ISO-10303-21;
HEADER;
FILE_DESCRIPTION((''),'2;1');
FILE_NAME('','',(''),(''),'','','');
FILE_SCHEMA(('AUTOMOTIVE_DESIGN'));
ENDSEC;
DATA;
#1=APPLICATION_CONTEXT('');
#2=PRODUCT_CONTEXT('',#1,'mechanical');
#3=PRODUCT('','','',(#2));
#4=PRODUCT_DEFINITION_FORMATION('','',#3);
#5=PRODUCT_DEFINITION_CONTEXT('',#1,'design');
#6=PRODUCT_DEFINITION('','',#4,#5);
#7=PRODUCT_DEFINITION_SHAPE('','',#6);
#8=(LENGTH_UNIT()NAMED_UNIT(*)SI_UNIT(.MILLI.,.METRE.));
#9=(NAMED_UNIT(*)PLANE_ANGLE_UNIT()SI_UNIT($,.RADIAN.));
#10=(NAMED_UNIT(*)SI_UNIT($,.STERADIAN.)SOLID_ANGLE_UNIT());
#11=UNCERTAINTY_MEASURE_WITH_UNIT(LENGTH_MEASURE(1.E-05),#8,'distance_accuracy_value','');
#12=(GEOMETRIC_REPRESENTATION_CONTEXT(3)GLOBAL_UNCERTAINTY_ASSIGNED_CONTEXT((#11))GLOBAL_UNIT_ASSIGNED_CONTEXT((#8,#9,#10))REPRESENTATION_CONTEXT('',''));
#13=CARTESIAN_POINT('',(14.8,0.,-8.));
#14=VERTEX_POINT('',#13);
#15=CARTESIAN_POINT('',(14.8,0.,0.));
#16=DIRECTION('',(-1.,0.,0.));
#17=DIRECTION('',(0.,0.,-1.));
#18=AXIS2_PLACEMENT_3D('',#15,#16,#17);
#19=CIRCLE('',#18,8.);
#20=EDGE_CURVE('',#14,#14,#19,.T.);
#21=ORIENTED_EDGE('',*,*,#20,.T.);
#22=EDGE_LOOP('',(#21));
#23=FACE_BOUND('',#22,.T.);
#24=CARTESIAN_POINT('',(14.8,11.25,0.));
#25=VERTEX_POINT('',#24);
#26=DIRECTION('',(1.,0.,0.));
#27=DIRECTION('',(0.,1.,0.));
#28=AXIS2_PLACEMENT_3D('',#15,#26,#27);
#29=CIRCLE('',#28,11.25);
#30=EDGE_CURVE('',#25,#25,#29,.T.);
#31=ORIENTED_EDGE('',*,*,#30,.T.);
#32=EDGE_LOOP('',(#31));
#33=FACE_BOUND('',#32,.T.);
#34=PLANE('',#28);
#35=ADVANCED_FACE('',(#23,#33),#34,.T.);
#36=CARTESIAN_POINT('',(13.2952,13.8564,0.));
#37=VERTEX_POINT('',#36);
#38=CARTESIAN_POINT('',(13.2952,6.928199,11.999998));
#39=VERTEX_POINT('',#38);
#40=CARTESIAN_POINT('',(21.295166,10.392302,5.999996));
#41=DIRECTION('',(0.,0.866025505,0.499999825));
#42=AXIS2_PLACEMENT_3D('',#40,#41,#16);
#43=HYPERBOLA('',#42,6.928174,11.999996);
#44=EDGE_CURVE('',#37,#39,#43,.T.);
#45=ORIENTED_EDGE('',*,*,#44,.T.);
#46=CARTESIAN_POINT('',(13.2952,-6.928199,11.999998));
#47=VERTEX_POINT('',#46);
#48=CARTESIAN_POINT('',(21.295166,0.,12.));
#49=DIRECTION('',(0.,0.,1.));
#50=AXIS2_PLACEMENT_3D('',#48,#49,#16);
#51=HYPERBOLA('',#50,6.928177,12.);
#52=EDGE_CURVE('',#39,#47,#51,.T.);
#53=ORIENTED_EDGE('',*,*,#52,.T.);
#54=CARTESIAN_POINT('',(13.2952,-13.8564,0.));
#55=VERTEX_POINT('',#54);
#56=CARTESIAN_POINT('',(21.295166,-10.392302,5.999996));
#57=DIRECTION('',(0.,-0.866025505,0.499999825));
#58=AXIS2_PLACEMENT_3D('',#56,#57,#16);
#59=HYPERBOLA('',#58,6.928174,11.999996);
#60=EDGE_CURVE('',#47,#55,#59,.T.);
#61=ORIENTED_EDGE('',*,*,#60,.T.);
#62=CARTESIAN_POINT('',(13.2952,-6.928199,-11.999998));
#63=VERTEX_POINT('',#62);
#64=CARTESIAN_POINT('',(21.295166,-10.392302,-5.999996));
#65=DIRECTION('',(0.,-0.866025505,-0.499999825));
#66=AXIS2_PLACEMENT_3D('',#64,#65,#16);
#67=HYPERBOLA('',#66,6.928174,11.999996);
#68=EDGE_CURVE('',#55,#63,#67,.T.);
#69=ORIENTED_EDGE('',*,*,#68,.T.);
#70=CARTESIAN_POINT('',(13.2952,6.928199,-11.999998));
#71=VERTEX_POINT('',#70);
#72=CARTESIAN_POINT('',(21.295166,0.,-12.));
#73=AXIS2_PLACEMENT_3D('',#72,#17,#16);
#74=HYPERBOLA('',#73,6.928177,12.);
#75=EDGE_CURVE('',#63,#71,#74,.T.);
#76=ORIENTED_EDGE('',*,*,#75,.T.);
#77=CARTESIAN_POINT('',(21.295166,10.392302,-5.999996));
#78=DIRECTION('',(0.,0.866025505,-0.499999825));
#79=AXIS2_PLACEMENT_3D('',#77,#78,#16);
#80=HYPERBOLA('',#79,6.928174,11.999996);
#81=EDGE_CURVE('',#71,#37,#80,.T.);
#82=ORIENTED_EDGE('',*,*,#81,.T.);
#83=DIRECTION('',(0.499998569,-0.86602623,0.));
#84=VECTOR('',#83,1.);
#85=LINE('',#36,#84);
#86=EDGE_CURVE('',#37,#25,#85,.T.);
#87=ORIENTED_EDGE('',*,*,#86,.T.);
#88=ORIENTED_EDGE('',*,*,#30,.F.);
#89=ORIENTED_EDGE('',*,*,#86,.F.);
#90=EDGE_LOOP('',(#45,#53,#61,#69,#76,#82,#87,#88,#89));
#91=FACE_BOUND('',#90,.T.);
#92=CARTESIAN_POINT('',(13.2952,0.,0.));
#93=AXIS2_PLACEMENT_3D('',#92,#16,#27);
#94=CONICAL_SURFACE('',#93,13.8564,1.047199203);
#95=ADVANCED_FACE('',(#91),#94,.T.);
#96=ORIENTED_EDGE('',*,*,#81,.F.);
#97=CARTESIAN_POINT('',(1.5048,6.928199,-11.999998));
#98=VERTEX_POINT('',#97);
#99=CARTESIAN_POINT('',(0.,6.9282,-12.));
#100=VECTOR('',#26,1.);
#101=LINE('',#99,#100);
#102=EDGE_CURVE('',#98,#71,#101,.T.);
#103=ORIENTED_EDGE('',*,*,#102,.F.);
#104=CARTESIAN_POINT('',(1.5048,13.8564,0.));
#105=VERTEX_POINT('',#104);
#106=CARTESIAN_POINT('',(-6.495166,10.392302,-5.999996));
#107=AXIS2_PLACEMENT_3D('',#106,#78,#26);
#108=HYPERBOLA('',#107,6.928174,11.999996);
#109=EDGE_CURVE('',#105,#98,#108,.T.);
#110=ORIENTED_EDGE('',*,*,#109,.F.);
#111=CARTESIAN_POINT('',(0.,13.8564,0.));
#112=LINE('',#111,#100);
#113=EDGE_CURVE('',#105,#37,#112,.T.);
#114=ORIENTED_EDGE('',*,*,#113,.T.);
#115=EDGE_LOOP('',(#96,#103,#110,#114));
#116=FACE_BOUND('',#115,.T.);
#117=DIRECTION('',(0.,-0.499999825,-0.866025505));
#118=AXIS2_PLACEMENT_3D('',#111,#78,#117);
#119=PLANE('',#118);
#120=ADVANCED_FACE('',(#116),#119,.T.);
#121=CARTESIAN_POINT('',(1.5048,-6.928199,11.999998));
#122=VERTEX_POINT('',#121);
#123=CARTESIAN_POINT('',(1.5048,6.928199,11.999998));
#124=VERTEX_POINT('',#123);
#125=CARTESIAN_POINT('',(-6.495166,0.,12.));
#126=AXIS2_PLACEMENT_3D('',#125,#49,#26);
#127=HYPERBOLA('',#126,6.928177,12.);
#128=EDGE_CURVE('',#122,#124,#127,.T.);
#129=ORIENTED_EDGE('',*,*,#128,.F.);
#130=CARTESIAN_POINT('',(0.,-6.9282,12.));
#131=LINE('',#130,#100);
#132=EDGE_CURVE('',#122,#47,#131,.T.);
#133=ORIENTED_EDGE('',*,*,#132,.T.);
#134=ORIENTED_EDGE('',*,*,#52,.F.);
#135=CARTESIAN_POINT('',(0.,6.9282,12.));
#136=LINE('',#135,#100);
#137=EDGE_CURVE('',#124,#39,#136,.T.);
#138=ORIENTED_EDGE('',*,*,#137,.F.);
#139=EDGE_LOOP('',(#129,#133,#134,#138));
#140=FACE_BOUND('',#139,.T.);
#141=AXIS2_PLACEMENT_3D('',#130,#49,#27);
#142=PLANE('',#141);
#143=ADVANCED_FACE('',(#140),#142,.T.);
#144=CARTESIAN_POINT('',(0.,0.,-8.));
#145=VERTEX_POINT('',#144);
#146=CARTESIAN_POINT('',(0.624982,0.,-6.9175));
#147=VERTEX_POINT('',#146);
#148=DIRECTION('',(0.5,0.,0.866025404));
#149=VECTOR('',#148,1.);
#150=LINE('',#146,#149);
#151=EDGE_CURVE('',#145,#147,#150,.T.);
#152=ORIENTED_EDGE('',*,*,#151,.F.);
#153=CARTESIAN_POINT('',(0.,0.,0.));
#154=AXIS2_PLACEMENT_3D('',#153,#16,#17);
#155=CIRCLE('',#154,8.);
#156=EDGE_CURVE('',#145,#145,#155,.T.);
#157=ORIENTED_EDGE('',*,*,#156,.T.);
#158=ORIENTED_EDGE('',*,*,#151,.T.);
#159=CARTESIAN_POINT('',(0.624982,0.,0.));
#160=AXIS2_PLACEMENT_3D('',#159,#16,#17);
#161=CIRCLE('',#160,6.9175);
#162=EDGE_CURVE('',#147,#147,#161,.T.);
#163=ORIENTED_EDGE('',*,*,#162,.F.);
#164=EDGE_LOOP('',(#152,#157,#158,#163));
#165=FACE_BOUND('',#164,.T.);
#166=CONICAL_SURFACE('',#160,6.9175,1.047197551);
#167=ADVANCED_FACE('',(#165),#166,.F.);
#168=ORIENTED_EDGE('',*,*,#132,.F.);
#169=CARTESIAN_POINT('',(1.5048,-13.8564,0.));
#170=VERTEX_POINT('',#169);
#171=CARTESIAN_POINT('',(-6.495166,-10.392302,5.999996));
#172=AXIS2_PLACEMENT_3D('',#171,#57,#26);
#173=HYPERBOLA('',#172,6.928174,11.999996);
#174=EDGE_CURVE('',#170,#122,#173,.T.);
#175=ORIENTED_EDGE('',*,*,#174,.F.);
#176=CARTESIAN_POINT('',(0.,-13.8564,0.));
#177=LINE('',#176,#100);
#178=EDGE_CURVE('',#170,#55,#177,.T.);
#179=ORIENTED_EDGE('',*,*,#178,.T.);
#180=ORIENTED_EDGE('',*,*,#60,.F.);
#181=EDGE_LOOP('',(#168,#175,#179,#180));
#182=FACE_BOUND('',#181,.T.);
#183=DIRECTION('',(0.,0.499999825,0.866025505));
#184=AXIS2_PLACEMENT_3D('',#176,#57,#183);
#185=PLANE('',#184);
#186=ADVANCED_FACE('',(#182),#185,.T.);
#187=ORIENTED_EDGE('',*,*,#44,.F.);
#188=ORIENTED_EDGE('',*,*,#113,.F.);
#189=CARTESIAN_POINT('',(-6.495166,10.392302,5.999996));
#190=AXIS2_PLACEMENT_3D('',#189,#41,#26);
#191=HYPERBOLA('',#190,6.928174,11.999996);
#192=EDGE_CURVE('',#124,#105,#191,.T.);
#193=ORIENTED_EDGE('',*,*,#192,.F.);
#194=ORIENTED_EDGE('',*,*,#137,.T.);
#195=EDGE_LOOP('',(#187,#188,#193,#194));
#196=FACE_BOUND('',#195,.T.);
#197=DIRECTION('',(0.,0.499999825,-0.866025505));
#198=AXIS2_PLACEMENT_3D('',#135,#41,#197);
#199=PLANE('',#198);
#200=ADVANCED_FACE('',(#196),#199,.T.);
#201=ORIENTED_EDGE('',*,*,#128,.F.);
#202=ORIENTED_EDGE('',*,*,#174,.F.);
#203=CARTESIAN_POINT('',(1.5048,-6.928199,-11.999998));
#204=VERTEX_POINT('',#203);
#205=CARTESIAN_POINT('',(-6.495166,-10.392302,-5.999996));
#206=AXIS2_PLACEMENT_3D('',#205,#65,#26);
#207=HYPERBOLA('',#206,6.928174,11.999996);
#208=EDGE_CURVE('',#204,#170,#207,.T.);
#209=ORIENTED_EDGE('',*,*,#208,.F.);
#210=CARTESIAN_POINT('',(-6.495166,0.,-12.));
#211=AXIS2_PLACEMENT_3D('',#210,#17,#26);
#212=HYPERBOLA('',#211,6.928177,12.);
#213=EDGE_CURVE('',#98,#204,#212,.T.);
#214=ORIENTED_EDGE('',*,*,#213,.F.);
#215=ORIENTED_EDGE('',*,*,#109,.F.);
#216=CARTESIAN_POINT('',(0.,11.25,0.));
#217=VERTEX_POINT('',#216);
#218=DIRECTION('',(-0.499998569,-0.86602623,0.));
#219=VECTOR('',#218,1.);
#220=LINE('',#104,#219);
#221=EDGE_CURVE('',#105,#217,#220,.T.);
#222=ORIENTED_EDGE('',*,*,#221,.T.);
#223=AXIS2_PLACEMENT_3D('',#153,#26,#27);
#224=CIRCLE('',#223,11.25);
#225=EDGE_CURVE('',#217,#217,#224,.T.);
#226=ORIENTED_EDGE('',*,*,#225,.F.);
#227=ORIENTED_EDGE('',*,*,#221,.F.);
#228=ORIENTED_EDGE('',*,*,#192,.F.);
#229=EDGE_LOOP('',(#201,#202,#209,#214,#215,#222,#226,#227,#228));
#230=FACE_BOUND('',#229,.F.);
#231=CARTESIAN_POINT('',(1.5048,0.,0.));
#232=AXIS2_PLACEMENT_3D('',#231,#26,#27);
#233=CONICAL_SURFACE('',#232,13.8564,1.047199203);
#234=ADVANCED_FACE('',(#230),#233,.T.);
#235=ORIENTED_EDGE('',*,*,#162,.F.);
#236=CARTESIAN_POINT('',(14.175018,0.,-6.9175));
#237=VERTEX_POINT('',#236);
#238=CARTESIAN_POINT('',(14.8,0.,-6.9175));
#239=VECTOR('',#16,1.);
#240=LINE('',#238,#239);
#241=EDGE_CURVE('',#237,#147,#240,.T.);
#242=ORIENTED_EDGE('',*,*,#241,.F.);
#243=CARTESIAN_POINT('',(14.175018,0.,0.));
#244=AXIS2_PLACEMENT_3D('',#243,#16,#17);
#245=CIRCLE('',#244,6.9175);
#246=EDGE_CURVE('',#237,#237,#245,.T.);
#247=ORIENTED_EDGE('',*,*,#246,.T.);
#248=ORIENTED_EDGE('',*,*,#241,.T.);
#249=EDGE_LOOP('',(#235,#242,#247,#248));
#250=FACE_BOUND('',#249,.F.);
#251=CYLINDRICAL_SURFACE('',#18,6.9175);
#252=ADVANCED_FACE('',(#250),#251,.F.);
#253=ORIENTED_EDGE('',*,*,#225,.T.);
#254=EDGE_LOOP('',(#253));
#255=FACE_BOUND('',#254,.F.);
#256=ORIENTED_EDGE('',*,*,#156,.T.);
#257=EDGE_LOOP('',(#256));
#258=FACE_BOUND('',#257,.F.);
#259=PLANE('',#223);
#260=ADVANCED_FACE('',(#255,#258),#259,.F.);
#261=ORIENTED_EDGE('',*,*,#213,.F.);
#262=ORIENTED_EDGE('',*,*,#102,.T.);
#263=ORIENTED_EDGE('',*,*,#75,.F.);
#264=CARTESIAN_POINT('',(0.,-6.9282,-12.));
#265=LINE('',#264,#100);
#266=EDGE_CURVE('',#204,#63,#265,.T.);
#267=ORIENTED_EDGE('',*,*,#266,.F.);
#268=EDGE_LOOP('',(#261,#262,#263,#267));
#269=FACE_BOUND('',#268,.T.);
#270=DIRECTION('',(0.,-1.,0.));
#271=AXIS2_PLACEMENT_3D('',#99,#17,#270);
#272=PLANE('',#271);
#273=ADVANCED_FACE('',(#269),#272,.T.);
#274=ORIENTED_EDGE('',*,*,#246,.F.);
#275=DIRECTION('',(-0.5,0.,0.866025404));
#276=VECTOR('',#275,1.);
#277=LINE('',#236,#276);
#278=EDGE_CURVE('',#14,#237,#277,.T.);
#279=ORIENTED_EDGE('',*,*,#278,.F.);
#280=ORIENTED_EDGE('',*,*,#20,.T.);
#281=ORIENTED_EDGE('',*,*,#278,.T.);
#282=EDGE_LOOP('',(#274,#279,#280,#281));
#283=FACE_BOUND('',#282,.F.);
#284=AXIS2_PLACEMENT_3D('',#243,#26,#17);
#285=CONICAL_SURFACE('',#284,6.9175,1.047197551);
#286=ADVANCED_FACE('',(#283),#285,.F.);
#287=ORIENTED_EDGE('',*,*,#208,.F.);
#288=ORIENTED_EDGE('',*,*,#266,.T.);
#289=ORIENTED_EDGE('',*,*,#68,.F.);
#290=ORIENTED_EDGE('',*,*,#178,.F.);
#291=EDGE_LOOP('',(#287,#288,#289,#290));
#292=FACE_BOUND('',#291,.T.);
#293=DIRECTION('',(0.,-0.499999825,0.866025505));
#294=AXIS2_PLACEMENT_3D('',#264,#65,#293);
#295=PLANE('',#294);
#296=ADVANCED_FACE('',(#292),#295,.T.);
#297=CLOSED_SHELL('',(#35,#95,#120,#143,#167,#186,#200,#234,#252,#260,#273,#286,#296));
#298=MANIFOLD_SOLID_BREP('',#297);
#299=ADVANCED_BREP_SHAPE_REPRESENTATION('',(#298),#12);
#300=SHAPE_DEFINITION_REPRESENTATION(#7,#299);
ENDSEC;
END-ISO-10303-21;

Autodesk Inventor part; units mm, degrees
ref_plane "YZ Plane" through (0, 0, 0) normal (1, 0, 0) x (0, 1, 0)
ref_plane "XZ Plane" through (0, 0, 0) normal (0, 1, 0) x (-1, 0, 0)
sketch "Эскиз1" plane through (0, 0, 0) normal (1, 0, 0) x (0, 1, 0)
  line L0 (-13.8564, 0) -> (-6.9282, 12)
  line L1 (-6.9282, 12) -> (6.9282, 12)
  line L2 (6.9282, 12) -> (13.8564, 0)
  line L3 (13.8564, 0) -> (6.9282, -12)
  line L4 (6.9282, -12) -> (-6.9282, -12)
  line L5 (-6.9282, -12) -> (-13.8564, 0)
  point P0 (0, 0)
  point P1 (0, 0)
  dimension "d0" = 27.7128
extrude "Базовый элемент" add sketch "Эскиз1" along normal blind 14.8
sketch "Эскиз2" plane through (0, 0, 0) normal (0, 0, 1) x (1, 0, 0)
  line L0 (0, 6.9282) -> (0, 13.8564) projected
  line L1 (0, 13.8564) -> (14.8, 13.8564) projected
  line L2 (14.8, 6.9282) -> (14.8, 13.8564) projected
  line L3 (-2.96, 0) -> (17.76, 0) projected
  line L4 (1.5048, 13.8564) -> (0, 11.25)
  line L5 (13.2952, 13.8564) -> (14.8, 11.25)
  dimension "d3" = 30
  dimension "d4" = 30
  dimension "d5" = 22.5
  dimension "d6" = 22.5
revolve "Фаска1" cut sketch "Эскиз2" angle 360 about axis through (-10, 0, 0) along (1, 0, 0)
sketch "Эскиз3" plane through (14.8, 0, 0) normal (1, 0, 0) x (0, 0, -1)
  arc A0 (-0.625, -1.0825) -> (0.625, -1.0825) centre (0, 0) ccw projected
hole "Резьба" at (14.8, 0, 0) direction (-1, 0, 0) diameter 13.835 end through all thread size "M16x2" class "6H" standard "ISO Metric profile"
chamfer "Фаска2" distance 1.0825 angle 30 1 edges at (14.8, 0, 6.9175) measured on face at (14.8, 9.6801, -1.1754)
chamfer "Фаска3" distance 1.0825 angle 30 1 edges at (0, 0, 6.9175) measured on face at (0, 9.6801, -1.1754)
ref_plane "Work Plane1" through (-25.1166, 0, 0) normal (0, -0.866, -0.5) x (1, 0, 0)
equation "\"d0\" = 1.1547 * SW"
equation "\"d1\" = KOH"
equation "\"d3\" = ANG1"
equation "\"d4\" = ANG2"
equation "\"d5\" = SW0"
equation "\"d6\" = SW01"
equation "\"d8\" = -0.5 * GD1 + 0.5 * NND"
equation "\"d40\" = -0.5 * GD1 + 0.5 * NND"
equation "\"d10\" = -0.5 * GD1 + 0.5 * NND"
equation "\"d41\" = -0.5 * GD1 + 0.5 * NND"
equation "\"ANG1\" = 30deg"
equation "\"ANG2\" = 30deg"
equation "\"NND\" = 16"
equation "\"KOH\" = 14.8"
equation "\"SW\" = 24"
equation "\"SW0\" = 22.5"
equation "\"SW01\" = SW0"
equation "\"GUL\" = 0.541266 * PTC"
equation "\"LADI\" = 22.8"
equation "\"TOA\" = 30deg"
equation "\"FAWI\" = 30deg"
equation "\"PTC\" = 2"
equation "\"THREADDIA\" = 16"
equation "\"E0\" = 1.155 * SW"
equation "\"GAL\" = 0.541266 * PTC"
equation "\"GD1\" = 13.834936"
properties part number "M16-6H ГОСТ ISO 4032-2014" material "Сталь, мягкая"
